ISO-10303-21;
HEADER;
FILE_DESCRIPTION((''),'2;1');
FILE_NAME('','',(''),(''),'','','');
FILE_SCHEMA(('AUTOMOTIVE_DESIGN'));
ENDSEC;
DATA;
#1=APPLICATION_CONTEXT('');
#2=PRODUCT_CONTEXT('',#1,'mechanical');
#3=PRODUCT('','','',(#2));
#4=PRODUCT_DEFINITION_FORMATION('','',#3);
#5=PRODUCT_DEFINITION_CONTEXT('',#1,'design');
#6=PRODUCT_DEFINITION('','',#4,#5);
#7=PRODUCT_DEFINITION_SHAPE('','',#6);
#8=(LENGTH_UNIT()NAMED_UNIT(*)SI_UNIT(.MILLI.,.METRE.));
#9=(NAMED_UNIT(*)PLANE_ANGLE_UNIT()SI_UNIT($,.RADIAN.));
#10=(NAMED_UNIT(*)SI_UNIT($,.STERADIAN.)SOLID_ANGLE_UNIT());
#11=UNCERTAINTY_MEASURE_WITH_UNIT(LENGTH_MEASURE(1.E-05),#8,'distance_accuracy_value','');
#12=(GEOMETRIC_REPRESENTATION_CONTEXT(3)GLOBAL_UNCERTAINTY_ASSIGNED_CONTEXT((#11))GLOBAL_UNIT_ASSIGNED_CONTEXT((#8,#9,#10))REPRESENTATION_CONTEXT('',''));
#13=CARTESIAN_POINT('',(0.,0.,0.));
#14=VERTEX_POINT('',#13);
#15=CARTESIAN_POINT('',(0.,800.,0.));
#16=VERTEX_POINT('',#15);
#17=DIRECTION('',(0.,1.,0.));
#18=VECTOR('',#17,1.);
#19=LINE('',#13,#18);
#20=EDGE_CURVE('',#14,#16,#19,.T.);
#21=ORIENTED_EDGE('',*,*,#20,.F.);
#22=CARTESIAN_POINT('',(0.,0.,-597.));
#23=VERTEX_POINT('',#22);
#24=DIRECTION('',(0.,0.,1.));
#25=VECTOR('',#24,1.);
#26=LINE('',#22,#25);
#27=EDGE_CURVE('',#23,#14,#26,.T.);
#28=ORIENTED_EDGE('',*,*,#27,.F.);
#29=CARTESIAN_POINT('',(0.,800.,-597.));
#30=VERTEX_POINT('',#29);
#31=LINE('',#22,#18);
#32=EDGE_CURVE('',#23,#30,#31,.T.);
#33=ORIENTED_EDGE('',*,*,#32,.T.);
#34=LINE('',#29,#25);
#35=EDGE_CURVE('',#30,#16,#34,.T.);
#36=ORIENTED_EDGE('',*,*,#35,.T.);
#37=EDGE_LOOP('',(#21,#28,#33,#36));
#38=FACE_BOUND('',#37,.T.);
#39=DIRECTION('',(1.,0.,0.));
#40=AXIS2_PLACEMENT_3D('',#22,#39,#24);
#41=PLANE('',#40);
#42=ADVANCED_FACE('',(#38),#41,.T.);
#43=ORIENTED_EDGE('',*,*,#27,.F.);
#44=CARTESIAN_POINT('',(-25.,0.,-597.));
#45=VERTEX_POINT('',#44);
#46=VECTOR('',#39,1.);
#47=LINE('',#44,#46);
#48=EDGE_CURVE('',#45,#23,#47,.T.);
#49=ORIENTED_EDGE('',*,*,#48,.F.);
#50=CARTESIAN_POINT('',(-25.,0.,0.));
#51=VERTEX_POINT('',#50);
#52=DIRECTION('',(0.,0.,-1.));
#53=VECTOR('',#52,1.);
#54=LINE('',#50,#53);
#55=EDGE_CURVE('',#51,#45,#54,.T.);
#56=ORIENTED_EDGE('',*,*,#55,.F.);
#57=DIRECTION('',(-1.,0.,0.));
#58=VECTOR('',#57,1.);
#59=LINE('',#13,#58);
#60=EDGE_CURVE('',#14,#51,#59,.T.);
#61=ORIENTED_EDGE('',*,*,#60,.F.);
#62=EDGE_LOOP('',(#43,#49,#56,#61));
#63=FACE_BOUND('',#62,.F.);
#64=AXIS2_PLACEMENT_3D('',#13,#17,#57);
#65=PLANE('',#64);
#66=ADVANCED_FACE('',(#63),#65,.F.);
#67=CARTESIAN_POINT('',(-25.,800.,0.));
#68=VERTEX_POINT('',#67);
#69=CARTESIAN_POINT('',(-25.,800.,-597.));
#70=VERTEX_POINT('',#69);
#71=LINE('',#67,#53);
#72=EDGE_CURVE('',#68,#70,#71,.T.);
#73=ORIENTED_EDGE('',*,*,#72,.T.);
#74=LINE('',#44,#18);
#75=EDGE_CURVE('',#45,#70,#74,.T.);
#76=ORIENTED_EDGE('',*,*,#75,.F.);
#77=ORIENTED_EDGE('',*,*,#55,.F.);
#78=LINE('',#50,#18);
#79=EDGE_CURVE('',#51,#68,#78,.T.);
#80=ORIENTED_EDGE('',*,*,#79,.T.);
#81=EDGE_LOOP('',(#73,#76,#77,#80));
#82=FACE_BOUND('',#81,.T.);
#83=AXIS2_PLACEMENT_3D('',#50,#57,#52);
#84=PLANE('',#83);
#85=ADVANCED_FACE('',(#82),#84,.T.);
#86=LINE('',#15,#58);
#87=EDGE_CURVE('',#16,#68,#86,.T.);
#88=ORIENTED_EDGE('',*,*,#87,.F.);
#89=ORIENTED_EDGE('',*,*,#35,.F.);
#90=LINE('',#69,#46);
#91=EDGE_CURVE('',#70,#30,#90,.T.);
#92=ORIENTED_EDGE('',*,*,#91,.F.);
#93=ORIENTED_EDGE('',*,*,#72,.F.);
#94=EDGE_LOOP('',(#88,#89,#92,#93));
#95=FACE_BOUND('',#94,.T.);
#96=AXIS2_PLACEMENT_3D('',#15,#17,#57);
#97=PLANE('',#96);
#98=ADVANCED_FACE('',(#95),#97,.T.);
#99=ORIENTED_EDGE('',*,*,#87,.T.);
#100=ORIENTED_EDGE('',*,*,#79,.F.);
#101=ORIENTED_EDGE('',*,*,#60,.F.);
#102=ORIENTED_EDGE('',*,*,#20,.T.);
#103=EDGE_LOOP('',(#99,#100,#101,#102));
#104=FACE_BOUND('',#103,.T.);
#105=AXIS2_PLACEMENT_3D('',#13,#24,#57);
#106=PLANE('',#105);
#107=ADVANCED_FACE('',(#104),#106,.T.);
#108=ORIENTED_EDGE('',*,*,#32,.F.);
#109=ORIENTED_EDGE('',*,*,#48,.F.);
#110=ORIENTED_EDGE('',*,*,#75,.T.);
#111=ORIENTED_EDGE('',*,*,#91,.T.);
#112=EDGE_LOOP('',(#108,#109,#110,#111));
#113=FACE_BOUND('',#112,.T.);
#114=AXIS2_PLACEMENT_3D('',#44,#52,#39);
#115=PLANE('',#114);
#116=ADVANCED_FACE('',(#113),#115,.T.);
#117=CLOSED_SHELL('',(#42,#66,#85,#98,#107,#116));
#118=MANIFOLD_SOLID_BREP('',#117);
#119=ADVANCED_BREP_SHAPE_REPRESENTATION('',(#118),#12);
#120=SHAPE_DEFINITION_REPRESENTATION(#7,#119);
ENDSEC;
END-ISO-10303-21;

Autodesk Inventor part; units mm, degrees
ref_plane "YZ Plane" through (0, 0, 0) normal (1, 0, 0) x (0, 1, 0)
ref_plane "XZ Plane" through (0, 0, 0) normal (0, 1, 0) x (-1, 0, 0)
ref_plane "XY Plane" through (0, 0, 0) normal (0, 0, 1) x (1, 0, 0)
sketch "Boceto1" plane through (0, 0, 0) normal (0, 1, 0) x (-1, 0, 0)
  line L0 (0, 0) -> (25, 0)
  line L1 (25, 0) -> (25, -597)
  line L2 (25, -597) -> (0, -597)
  line L3 (0, -597) -> (0, 0)
  dimension "d0" = 25
  dimension "d1" = 597
extrude "Extrusión1" add sketch "Boceto1" along normal blind 800
properties part number "Lateral2"
